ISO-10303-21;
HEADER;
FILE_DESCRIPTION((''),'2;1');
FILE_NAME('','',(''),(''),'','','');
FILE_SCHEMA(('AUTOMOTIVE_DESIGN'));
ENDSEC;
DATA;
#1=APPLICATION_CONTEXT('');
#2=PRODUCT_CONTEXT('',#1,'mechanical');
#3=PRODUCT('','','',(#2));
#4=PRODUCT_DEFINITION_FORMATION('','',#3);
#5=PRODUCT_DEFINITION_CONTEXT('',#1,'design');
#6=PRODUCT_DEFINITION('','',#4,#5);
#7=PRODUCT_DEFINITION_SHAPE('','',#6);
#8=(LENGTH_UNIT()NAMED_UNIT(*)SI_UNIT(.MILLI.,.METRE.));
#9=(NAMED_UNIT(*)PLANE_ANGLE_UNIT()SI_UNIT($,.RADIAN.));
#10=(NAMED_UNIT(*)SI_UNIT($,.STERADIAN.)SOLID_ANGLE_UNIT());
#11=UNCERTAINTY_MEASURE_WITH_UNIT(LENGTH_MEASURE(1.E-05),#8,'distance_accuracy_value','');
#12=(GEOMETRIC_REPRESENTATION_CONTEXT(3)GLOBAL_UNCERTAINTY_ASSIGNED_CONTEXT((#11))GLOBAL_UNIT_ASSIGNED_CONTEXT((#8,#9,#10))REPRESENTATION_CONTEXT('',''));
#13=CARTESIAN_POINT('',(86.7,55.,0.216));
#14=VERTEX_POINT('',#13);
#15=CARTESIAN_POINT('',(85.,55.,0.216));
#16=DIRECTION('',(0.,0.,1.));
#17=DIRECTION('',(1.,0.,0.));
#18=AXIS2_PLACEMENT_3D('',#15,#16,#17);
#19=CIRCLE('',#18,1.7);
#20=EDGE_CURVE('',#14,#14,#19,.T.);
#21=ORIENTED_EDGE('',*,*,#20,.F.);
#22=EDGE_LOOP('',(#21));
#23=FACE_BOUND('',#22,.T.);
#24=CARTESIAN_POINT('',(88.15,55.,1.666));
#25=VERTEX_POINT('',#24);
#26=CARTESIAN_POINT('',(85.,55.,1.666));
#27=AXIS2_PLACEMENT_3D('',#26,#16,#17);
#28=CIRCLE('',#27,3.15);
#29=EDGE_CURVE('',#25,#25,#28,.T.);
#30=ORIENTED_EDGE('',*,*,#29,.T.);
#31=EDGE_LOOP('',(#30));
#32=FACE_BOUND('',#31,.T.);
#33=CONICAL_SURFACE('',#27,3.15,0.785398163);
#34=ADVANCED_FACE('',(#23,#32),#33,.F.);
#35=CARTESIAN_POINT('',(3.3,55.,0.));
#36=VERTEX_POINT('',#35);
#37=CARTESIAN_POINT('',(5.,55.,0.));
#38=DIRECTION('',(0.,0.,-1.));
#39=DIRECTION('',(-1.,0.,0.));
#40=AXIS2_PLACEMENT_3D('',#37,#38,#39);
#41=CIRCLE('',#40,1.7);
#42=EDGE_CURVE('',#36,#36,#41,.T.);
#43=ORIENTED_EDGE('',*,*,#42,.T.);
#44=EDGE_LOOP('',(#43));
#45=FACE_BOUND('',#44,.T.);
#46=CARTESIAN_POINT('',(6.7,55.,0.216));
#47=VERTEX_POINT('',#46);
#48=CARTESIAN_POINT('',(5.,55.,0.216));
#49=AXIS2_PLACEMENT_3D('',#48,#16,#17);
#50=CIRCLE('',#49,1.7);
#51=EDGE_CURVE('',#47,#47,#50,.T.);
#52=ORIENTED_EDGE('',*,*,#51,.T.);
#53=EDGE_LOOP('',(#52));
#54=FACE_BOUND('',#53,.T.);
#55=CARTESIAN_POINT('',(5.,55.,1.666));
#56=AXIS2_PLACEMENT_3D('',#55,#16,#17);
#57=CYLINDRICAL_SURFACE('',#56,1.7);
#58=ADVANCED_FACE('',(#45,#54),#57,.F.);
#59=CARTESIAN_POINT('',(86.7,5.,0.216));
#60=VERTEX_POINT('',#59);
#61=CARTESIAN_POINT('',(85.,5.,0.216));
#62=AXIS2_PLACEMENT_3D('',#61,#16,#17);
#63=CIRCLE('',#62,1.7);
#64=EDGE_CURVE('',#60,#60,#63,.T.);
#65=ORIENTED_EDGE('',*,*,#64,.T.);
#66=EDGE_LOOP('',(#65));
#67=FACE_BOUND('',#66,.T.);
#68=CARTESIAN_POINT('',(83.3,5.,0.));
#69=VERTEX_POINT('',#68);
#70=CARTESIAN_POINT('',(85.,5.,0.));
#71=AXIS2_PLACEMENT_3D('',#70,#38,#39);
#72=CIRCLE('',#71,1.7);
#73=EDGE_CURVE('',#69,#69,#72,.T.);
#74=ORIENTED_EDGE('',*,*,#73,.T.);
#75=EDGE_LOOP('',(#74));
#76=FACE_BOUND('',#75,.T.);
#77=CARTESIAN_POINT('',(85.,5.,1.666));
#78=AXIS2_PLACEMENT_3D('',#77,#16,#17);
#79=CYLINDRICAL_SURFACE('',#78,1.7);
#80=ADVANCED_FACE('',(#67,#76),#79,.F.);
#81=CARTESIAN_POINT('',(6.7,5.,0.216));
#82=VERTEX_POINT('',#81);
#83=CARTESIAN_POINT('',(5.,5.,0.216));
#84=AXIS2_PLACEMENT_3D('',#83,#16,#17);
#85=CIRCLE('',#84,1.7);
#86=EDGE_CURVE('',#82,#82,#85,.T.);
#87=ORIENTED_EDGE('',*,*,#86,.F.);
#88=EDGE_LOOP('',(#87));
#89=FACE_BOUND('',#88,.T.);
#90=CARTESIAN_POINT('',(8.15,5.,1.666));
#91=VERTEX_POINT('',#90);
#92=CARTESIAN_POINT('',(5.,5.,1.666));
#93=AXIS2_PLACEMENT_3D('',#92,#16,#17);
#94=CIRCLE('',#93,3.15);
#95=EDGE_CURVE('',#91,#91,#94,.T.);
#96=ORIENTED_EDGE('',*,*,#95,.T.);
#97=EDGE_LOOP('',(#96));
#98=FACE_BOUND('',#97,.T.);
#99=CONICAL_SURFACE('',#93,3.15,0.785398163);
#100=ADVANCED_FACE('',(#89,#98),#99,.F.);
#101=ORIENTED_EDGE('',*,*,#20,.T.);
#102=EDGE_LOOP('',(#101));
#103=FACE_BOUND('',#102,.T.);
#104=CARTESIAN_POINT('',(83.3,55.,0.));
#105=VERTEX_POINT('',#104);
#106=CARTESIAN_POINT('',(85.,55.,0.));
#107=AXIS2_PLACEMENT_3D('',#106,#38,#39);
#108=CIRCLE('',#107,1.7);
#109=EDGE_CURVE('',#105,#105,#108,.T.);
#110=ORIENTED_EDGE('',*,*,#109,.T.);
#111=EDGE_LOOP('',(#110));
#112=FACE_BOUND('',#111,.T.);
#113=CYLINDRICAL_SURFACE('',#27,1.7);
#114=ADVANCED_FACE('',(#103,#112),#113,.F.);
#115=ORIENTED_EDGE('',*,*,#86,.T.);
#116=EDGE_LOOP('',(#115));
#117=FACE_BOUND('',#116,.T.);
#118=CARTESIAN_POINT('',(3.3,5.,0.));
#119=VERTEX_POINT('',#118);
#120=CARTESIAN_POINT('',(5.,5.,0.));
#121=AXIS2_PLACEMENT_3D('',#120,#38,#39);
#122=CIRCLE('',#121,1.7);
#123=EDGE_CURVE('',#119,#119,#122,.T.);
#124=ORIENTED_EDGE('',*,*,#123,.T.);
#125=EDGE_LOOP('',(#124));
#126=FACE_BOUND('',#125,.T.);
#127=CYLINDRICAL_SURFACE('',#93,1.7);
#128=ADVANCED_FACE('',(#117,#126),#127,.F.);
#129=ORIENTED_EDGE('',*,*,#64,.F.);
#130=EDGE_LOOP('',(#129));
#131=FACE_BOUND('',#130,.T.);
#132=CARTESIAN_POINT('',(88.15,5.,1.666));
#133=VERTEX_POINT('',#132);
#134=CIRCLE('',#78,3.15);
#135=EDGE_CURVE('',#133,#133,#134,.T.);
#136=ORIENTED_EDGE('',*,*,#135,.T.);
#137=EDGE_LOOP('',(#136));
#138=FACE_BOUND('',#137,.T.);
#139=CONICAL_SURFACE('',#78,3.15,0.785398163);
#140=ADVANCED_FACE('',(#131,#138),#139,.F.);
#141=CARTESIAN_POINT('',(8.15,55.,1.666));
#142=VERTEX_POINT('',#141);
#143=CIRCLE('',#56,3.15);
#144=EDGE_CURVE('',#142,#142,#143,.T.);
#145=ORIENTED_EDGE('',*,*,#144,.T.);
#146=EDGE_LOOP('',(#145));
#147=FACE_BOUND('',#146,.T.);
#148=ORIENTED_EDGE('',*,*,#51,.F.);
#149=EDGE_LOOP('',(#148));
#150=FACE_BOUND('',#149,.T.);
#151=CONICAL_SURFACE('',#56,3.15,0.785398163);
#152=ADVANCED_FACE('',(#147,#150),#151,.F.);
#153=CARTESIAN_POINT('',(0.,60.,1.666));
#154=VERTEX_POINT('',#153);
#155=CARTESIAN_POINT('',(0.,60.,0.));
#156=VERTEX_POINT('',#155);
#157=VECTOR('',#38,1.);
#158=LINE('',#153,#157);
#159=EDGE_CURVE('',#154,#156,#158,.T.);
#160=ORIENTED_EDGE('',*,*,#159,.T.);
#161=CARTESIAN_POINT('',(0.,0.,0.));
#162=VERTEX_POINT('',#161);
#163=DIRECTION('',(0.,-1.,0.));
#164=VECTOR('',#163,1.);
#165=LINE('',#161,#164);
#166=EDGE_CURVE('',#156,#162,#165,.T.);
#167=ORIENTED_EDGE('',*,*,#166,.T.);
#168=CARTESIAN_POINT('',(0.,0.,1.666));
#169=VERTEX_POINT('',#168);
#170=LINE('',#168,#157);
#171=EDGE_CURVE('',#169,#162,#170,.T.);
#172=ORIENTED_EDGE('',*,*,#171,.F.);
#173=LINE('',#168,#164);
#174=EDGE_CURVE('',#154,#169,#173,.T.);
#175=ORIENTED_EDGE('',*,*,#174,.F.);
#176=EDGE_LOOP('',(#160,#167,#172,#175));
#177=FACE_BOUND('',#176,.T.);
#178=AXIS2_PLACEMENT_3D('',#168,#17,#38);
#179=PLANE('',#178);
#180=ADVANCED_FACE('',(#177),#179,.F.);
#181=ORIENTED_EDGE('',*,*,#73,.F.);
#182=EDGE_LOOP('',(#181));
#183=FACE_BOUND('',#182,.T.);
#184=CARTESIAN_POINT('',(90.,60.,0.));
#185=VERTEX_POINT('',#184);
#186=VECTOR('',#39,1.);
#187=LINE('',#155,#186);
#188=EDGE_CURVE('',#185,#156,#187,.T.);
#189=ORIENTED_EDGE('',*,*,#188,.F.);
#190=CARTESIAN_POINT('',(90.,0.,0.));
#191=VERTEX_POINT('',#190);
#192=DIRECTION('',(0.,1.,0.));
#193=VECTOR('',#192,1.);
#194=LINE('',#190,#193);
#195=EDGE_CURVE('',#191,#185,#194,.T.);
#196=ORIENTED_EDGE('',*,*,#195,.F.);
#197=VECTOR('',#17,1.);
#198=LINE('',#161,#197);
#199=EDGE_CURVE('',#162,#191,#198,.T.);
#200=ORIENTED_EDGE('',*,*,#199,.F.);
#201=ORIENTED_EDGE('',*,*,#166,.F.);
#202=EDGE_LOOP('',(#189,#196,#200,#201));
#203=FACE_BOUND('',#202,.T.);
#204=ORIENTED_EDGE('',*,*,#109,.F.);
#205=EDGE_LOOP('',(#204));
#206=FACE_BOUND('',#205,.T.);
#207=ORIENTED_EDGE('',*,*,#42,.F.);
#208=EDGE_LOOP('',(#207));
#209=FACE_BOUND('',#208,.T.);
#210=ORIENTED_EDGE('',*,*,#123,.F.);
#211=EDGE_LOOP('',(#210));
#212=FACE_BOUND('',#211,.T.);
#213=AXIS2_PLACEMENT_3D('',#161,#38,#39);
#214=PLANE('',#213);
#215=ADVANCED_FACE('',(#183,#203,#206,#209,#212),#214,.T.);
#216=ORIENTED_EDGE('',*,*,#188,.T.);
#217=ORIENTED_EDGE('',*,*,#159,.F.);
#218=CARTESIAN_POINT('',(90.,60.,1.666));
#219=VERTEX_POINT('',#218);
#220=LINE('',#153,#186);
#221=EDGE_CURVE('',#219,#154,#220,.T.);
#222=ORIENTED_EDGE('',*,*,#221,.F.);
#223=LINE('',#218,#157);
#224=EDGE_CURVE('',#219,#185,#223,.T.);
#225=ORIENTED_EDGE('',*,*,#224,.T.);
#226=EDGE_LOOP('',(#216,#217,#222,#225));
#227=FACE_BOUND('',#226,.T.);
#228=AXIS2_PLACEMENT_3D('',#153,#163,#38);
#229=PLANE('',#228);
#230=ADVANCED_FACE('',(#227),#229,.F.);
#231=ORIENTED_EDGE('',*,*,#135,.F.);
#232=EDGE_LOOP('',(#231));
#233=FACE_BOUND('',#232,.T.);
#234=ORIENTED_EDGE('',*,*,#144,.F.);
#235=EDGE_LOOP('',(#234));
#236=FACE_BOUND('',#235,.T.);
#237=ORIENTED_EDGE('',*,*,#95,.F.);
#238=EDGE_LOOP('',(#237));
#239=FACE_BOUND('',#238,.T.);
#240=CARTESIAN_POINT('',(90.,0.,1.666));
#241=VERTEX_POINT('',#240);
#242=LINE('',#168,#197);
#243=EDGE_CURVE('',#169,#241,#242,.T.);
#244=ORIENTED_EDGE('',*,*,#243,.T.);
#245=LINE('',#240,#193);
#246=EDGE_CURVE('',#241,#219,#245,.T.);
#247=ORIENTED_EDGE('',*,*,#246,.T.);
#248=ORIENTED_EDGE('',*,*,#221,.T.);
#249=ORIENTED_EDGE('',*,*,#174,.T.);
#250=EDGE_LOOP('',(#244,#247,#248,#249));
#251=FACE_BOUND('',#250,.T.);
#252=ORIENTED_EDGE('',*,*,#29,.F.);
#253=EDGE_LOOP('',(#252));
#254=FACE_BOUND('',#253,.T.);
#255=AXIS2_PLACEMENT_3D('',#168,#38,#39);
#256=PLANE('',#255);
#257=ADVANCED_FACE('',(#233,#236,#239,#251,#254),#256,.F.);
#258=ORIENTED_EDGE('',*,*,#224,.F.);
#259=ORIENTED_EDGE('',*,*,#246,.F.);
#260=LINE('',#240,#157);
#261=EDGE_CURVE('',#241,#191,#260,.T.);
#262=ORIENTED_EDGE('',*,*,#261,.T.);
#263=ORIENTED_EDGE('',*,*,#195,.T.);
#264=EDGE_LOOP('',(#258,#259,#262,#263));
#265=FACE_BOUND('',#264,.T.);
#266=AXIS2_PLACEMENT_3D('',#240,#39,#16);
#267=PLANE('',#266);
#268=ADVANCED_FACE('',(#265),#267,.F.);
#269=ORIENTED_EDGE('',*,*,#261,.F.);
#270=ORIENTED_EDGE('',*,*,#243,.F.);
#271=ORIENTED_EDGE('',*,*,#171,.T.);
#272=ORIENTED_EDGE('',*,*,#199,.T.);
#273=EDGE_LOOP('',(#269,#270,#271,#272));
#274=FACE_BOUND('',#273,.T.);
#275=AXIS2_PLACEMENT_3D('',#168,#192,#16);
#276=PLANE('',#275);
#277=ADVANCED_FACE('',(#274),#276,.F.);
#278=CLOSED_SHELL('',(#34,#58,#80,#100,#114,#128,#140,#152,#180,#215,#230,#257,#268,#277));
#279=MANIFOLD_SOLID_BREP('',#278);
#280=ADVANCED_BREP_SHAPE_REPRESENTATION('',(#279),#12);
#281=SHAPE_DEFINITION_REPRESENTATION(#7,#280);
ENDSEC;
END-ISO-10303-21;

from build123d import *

# Parameters (mm, degrees)
SKETCH1_W                                           = 90
SKETCH1_H                                           = 60
BOSS_EXTRUDE1_DEPTH                                 = 1.666
CSK_FOR_M3_COUNTERSUNK_FLAT_HEAD_SCREW1_D           = 3.4
CSK_FOR_M3_COUNTERSUNK_FLAT_HEAD_SCREW1_DEPTH       = 30
CSK_FOR_M3_COUNTERSUNK_FLAT_HEAD_SCREW1_CSINK_D     = 6.3
CSK_FOR_M3_COUNTERSUNK_FLAT_HEAD_SCREW1_CSINK_ANGLE = 90
CSK_FOR_M3_COUNTERSUNK_FLAT_HEAD_SCREW1_TIP         = 1.021463052


with BuildPart() as part:
    # Sketch1 → Boss-Extrude1 (new body)
    with BuildSketch(Plane.XY):
        with Locations((45, 30)):
            Rectangle(SKETCH1_W, SKETCH1_H)
    extrude(amount=BOSS_EXTRUDE1_DEPTH)

    # CSK for M3 Countersunk Flat Head Screw1
    with Locations(Plane.XY.offset(1.666)):
        with Locations((5, 55), (5, 5), (85, 5), (85, 55)):
            CounterSinkHole(CSK_FOR_M3_COUNTERSUNK_FLAT_HEAD_SCREW1_D / 2, CSK_FOR_M3_COUNTERSUNK_FLAT_HEAD_SCREW1_CSINK_D / 2, depth=CSK_FOR_M3_COUNTERSUNK_FLAT_HEAD_SCREW1_DEPTH, counter_sink_angle=CSK_FOR_M3_COUNTERSUNK_FLAT_HEAD_SCREW1_CSINK_ANGLE)
            with Locations((0, 0, -(CSK_FOR_M3_COUNTERSUNK_FLAT_HEAD_SCREW1_DEPTH + CSK_FOR_M3_COUNTERSUNK_FLAT_HEAD_SCREW1_TIP / 2))):  # 118° drill point
                Cone(0, CSK_FOR_M3_COUNTERSUNK_FLAT_HEAD_SCREW1_D / 2, CSK_FOR_M3_COUNTERSUNK_FLAT_HEAD_SCREW1_TIP, mode=Mode.SUBTRACT)


solid = part.part
